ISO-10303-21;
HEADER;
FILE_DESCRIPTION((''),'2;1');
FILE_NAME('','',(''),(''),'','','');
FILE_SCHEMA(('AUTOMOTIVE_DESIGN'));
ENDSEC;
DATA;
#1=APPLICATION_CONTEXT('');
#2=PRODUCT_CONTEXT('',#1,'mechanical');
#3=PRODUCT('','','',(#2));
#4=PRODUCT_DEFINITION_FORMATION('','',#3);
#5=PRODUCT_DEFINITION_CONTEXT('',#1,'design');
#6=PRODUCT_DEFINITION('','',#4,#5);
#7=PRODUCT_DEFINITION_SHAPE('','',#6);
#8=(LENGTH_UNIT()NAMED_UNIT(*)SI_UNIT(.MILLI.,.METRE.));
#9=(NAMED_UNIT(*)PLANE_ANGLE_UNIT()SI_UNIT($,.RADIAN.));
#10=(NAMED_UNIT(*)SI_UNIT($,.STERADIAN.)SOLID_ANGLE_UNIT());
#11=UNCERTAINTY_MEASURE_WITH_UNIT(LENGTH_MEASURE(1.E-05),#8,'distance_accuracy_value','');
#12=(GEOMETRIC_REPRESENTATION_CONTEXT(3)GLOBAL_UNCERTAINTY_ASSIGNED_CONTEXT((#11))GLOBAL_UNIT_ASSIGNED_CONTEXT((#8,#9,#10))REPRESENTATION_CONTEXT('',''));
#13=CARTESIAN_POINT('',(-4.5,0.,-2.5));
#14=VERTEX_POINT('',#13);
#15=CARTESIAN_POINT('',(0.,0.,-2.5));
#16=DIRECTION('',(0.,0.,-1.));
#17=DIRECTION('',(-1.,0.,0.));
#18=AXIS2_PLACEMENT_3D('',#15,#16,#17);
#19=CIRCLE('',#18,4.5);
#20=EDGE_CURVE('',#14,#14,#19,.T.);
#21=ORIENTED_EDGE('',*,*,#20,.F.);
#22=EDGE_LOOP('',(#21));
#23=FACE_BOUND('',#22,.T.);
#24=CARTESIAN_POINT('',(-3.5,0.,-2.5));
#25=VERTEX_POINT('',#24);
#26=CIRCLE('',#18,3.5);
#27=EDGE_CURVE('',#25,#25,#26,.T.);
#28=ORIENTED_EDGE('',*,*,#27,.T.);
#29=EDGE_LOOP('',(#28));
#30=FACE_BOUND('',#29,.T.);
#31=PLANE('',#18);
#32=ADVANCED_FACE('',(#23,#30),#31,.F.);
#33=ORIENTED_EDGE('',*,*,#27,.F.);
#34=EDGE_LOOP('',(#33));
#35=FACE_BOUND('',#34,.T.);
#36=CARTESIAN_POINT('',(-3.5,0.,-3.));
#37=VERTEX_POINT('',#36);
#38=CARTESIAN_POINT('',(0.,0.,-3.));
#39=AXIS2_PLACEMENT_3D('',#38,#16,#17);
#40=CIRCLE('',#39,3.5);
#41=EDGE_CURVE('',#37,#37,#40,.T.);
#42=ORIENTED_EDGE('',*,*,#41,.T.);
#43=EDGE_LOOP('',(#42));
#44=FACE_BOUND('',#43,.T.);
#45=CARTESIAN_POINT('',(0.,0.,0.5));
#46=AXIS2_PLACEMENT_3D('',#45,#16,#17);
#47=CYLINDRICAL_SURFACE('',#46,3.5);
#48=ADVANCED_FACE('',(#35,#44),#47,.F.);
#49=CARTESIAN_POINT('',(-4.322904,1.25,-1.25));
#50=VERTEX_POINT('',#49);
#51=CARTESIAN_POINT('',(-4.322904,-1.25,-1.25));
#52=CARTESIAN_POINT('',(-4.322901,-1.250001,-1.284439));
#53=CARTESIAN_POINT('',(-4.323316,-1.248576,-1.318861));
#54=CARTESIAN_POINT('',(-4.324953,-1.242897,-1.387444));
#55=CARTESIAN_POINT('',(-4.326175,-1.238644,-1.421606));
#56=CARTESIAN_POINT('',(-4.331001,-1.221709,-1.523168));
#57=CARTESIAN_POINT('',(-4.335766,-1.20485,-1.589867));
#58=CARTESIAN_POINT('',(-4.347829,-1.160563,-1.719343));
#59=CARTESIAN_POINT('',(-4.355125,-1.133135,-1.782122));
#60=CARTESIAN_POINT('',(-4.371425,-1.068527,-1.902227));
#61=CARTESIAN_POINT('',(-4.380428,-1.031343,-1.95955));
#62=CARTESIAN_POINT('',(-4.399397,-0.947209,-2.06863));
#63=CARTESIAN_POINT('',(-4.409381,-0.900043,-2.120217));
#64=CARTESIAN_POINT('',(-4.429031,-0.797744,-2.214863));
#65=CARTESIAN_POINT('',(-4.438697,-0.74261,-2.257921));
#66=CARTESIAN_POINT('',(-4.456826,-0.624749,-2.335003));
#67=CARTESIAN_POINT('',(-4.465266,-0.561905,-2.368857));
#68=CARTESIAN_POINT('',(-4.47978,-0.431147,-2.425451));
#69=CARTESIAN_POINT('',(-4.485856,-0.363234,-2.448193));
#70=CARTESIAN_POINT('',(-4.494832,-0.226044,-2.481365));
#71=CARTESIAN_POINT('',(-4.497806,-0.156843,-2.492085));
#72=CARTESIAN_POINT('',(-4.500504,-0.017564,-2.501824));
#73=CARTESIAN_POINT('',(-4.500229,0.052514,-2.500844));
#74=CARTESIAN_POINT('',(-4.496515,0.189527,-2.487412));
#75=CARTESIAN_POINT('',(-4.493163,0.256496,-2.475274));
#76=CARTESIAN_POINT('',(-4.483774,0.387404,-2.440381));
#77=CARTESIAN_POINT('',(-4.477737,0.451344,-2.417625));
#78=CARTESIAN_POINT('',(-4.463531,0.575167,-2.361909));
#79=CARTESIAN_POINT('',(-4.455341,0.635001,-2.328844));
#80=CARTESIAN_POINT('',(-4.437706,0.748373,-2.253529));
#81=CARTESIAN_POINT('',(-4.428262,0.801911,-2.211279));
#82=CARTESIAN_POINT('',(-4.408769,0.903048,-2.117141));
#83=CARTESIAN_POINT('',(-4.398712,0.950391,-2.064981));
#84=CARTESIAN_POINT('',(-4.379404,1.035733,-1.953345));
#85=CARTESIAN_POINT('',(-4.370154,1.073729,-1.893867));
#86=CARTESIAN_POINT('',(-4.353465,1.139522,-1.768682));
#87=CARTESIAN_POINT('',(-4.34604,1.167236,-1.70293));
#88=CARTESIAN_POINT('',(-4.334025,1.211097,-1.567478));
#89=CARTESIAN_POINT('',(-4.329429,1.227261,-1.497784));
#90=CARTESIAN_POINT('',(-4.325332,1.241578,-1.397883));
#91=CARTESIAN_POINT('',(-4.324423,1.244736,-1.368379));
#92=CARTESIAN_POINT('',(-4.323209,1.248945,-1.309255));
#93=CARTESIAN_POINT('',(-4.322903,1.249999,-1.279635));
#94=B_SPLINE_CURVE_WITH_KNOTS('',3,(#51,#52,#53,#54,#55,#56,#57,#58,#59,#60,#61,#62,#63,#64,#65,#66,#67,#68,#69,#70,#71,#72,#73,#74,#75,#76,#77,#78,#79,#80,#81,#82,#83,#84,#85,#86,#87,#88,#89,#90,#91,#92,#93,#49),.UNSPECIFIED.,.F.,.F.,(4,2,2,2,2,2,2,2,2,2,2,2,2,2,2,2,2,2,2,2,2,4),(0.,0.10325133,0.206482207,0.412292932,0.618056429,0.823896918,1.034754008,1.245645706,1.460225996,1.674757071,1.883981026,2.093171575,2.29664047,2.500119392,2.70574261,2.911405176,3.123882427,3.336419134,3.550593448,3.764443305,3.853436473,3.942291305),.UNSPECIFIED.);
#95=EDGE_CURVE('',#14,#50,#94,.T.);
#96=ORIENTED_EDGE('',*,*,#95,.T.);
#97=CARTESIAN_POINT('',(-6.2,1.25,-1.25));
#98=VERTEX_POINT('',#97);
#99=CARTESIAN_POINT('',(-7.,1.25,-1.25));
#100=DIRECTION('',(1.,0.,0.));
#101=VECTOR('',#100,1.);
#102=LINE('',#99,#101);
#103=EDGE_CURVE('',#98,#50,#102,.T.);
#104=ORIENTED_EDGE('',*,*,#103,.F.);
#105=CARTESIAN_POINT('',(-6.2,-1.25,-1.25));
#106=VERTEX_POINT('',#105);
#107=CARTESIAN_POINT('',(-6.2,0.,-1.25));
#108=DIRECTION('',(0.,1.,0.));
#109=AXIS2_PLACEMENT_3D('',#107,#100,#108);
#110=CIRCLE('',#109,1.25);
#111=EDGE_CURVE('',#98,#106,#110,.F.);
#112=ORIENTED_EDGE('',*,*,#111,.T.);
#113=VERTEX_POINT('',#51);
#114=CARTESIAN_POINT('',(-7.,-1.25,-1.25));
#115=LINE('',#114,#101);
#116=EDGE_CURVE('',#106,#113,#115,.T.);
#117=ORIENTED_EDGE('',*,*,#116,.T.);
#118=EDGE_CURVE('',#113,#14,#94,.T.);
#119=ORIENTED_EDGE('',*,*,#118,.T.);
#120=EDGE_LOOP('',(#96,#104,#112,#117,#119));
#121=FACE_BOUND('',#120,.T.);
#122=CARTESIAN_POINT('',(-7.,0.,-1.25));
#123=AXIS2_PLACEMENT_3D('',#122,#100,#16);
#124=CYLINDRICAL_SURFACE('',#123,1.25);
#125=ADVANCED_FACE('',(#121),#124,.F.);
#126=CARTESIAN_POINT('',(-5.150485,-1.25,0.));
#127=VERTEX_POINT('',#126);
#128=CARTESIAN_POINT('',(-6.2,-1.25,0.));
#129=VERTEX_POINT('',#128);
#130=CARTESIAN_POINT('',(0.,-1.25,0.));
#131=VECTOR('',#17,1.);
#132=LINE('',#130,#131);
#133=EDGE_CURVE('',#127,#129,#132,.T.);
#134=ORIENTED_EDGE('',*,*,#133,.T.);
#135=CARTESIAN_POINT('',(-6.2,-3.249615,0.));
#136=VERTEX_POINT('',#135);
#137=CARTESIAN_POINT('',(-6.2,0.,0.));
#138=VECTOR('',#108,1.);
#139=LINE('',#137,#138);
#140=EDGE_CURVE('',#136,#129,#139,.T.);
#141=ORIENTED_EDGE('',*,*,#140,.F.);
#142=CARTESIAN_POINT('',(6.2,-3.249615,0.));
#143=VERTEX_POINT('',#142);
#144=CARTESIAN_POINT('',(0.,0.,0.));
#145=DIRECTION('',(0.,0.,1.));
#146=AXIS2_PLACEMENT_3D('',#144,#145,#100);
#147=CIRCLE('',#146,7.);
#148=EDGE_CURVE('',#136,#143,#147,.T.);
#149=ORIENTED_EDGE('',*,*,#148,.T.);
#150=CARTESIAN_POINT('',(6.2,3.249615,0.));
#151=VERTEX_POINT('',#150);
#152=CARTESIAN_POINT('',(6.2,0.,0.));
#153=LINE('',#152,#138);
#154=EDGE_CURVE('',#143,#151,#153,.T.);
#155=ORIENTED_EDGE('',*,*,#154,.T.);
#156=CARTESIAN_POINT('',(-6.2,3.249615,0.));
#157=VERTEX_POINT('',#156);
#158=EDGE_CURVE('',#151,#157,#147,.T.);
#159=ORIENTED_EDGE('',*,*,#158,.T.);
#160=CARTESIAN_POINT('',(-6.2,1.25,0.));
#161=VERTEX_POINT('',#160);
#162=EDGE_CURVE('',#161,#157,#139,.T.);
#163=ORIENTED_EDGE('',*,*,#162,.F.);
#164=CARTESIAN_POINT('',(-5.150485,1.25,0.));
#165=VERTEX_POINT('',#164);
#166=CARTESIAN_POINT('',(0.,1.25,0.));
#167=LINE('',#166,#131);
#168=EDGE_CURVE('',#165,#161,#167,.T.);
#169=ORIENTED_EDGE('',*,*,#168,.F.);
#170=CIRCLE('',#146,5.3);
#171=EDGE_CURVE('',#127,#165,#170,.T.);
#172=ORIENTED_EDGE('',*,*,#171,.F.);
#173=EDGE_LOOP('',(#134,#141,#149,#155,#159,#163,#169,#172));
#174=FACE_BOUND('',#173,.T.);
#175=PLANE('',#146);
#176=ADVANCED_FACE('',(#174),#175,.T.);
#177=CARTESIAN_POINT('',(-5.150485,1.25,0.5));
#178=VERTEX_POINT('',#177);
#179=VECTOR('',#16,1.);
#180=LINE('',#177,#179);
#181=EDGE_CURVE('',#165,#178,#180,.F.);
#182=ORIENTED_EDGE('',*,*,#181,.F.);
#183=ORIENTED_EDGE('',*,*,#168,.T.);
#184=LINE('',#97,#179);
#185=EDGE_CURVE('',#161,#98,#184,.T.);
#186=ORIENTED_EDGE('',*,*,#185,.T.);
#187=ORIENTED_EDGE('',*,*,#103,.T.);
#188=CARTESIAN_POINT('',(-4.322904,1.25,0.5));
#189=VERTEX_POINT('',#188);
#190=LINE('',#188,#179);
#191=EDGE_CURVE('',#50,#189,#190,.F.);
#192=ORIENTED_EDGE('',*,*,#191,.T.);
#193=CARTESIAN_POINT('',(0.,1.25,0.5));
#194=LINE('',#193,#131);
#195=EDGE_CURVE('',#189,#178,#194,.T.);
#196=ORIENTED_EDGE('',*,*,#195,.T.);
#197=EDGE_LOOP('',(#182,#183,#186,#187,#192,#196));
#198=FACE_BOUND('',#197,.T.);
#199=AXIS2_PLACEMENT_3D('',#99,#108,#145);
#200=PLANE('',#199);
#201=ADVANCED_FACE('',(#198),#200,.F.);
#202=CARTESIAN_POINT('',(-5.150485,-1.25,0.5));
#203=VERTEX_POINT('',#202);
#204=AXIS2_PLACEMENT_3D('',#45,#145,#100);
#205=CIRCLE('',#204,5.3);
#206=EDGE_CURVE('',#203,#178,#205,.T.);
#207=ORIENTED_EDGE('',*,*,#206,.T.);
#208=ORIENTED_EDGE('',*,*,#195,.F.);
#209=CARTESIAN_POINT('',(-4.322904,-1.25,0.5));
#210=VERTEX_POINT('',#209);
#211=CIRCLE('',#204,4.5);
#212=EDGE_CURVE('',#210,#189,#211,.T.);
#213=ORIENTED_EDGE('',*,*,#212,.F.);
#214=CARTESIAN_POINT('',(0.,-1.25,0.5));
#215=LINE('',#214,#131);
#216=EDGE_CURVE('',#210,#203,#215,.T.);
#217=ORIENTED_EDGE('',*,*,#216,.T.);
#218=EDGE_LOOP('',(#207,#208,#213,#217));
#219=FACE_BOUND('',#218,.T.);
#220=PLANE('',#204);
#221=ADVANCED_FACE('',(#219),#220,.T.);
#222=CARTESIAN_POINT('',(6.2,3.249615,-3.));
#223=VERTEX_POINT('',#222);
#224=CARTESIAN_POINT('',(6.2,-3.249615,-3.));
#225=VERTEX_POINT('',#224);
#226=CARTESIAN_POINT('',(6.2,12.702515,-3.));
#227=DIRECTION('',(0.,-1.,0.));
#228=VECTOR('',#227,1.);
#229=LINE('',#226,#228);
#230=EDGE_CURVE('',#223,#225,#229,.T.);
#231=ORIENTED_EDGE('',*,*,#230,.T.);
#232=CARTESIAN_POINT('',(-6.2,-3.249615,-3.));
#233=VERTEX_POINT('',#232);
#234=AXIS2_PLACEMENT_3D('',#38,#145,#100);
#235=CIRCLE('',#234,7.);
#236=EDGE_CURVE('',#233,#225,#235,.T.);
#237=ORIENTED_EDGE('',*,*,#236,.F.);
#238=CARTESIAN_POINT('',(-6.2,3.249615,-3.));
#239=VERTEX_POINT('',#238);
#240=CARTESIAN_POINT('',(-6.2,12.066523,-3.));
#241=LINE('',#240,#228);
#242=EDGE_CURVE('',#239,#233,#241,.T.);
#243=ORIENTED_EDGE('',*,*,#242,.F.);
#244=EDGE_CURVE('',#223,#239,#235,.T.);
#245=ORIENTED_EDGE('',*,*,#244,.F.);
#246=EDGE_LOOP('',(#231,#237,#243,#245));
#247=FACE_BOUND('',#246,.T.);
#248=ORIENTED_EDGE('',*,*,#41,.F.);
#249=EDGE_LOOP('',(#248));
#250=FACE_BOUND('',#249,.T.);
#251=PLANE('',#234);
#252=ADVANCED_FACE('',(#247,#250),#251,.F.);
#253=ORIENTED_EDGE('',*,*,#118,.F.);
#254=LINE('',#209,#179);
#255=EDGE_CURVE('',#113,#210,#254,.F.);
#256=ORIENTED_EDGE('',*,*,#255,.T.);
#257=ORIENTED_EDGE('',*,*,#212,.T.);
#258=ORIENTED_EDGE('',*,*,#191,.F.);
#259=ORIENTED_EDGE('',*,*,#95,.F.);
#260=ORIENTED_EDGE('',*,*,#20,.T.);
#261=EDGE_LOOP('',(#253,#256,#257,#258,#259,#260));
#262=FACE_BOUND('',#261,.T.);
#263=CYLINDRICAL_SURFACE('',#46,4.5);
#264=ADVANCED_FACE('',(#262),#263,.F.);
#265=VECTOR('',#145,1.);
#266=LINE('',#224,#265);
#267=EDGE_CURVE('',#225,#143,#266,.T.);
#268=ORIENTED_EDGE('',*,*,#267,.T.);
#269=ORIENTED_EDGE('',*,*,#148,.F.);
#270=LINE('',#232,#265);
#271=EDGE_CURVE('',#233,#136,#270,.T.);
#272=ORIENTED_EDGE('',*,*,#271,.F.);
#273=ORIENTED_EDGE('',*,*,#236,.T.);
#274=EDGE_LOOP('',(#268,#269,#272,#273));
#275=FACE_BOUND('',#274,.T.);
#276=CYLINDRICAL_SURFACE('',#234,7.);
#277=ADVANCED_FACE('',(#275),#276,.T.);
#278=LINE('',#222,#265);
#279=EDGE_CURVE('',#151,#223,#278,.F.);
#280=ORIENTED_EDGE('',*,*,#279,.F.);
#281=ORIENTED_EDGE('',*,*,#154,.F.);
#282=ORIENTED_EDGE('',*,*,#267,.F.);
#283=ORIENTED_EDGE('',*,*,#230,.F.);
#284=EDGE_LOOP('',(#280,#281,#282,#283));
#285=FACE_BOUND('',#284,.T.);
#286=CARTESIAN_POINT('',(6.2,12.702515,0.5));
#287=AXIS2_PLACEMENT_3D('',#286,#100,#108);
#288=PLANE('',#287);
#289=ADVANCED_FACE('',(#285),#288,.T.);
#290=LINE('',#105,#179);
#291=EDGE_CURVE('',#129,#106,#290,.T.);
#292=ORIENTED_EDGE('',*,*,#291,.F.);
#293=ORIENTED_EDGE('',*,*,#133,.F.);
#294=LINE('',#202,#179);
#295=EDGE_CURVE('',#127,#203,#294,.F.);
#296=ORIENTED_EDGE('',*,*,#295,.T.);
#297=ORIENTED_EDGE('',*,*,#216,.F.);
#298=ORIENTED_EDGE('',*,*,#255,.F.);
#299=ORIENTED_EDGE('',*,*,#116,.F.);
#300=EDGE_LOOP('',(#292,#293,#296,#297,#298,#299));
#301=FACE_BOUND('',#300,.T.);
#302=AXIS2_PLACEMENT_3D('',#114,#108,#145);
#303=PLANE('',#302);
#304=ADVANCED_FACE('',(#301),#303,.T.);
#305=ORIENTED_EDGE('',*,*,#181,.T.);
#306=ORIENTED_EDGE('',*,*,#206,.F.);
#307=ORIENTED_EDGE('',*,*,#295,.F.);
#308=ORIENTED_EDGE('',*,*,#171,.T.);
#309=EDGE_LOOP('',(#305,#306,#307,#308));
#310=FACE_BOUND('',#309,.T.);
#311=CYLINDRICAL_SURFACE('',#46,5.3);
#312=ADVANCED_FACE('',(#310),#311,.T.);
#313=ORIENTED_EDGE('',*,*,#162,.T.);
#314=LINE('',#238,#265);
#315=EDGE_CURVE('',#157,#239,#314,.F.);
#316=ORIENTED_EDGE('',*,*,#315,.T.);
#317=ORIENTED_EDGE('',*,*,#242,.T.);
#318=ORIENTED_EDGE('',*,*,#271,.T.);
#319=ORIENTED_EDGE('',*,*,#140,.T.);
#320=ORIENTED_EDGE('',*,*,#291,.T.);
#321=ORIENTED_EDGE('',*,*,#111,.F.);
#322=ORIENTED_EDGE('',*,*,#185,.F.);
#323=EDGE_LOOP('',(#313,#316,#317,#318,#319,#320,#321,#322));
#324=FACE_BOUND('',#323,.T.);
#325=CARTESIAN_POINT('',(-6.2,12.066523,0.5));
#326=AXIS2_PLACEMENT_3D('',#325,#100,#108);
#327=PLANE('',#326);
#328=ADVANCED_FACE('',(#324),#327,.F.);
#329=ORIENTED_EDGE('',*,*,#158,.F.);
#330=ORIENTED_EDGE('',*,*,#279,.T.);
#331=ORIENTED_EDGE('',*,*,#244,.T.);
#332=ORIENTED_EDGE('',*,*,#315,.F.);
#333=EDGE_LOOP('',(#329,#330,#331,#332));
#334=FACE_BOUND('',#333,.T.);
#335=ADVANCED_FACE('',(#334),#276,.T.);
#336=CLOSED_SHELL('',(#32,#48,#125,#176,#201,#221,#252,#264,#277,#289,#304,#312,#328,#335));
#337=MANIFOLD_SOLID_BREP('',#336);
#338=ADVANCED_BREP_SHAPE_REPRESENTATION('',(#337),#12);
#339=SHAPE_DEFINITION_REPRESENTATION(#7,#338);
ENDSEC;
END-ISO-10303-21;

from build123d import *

# Parameters (mm, degrees)
SKETCH_1_R          = 5.3
SKETCH_1_R_2        = 4.5
EXTRUDE_1_DEPTH     = 0.5
SKETCH_1_4_R        = 7
SKETCH_1_4_R_2      = 5.3
SKETCH_1_4_R_3      = 4.5
EXTRUDE_3_DEPTH     = 3
SKETCH_2_R          = 1.25
SKETCH_2_W          = 2.176030001
SKETCH_2_H          = 2.5
CUT_EXTRUDE_2_DEPTH = 8
SKETCH_3_R          = 7
EXTRUDE_4_DEPTH     = 0.5
SKETCH_4_R          = 3.5
CUT_EXTRUDE_3_DEPTH = 4.5000001
SKETCH_5_W          = 7.173185096
SKETCH_5_H          = 25.447728078
SKETCH_5_W_2        = 11.53458805
SKETCH_5_H_2        = 25.700853956
CUT_EXTRUDE_4_DEPTH = 4.5000001


with BuildPart() as part:
    # Sketch 1 → Extrude 1 (new body)
    with BuildSketch(Plane.XY):
        Circle(SKETCH_1_R)
        Circle(SKETCH_1_R_2, mode=Mode.SUBTRACT)
    extrude(amount=EXTRUDE_1_DEPTH)

    # Sketch 1_4 → Extrude 3 (add)
    with BuildSketch(Plane.XY):
        Circle(SKETCH_1_4_R)
        Circle(SKETCH_1_4_R_2, mode=Mode.SUBTRACT)
        Circle(SKETCH_1_4_R_2)
        Circle(SKETCH_1_4_R_3, mode=Mode.SUBTRACT)
    extrude(amount=-EXTRUDE_3_DEPTH)

    # Sketch 2 → Cut-Extrude 2 (cut, through all)
    with BuildSketch(Plane(origin=(0, 0, 0), x_dir=(0, 0, -1), z_dir=(1, 0, 0))):
        with Locations((1.25, 0)):
            Circle(SKETCH_2_R)
        with Locations((0.161984999, 0)):
            Rectangle(SKETCH_2_W, SKETCH_2_H)
    extrude(amount=-CUT_EXTRUDE_2_DEPTH, mode=Mode.SUBTRACT)

    # Sketch 3 → Extrude 4 (add)
    with BuildSketch(Plane(origin=(0, 0, -3), x_dir=(-1, 0, 0), z_dir=(0, 0, -1))):
        with Locations(Location((0, 0, 0), (0, 0, 180))):  # turned: the seam where the file's is
            Circle(SKETCH_3_R)
    extrude(amount=-EXTRUDE_4_DEPTH)

    # Sketch 4 → Cut-Extrude 3 (cut, through all)
    with BuildSketch(Plane(origin=(0, 0, -3), x_dir=(-1, 0, 0), z_dir=(0, 0, -1))):
        Circle(SKETCH_4_R)
    extrude(amount=-CUT_EXTRUDE_3_DEPTH, mode=Mode.SUBTRACT)

    # Sketch 5 → Cut-Extrude 4 (cut, through all)
    with BuildSketch(Plane(origin=(0, 0, -3), x_dir=(-1, 0, 0), z_dir=(0, 0, -1))):
        with Locations((-9.786592548, -0.021348765)):
            Rectangle(SKETCH_5_W, SKETCH_5_H)
        with Locations((11.967294025, -0.783904042)):
            Rectangle(SKETCH_5_W_2, SKETCH_5_H_2)
    extrude(amount=-CUT_EXTRUDE_4_DEPTH, mode=Mode.SUBTRACT)


solid = part.part
